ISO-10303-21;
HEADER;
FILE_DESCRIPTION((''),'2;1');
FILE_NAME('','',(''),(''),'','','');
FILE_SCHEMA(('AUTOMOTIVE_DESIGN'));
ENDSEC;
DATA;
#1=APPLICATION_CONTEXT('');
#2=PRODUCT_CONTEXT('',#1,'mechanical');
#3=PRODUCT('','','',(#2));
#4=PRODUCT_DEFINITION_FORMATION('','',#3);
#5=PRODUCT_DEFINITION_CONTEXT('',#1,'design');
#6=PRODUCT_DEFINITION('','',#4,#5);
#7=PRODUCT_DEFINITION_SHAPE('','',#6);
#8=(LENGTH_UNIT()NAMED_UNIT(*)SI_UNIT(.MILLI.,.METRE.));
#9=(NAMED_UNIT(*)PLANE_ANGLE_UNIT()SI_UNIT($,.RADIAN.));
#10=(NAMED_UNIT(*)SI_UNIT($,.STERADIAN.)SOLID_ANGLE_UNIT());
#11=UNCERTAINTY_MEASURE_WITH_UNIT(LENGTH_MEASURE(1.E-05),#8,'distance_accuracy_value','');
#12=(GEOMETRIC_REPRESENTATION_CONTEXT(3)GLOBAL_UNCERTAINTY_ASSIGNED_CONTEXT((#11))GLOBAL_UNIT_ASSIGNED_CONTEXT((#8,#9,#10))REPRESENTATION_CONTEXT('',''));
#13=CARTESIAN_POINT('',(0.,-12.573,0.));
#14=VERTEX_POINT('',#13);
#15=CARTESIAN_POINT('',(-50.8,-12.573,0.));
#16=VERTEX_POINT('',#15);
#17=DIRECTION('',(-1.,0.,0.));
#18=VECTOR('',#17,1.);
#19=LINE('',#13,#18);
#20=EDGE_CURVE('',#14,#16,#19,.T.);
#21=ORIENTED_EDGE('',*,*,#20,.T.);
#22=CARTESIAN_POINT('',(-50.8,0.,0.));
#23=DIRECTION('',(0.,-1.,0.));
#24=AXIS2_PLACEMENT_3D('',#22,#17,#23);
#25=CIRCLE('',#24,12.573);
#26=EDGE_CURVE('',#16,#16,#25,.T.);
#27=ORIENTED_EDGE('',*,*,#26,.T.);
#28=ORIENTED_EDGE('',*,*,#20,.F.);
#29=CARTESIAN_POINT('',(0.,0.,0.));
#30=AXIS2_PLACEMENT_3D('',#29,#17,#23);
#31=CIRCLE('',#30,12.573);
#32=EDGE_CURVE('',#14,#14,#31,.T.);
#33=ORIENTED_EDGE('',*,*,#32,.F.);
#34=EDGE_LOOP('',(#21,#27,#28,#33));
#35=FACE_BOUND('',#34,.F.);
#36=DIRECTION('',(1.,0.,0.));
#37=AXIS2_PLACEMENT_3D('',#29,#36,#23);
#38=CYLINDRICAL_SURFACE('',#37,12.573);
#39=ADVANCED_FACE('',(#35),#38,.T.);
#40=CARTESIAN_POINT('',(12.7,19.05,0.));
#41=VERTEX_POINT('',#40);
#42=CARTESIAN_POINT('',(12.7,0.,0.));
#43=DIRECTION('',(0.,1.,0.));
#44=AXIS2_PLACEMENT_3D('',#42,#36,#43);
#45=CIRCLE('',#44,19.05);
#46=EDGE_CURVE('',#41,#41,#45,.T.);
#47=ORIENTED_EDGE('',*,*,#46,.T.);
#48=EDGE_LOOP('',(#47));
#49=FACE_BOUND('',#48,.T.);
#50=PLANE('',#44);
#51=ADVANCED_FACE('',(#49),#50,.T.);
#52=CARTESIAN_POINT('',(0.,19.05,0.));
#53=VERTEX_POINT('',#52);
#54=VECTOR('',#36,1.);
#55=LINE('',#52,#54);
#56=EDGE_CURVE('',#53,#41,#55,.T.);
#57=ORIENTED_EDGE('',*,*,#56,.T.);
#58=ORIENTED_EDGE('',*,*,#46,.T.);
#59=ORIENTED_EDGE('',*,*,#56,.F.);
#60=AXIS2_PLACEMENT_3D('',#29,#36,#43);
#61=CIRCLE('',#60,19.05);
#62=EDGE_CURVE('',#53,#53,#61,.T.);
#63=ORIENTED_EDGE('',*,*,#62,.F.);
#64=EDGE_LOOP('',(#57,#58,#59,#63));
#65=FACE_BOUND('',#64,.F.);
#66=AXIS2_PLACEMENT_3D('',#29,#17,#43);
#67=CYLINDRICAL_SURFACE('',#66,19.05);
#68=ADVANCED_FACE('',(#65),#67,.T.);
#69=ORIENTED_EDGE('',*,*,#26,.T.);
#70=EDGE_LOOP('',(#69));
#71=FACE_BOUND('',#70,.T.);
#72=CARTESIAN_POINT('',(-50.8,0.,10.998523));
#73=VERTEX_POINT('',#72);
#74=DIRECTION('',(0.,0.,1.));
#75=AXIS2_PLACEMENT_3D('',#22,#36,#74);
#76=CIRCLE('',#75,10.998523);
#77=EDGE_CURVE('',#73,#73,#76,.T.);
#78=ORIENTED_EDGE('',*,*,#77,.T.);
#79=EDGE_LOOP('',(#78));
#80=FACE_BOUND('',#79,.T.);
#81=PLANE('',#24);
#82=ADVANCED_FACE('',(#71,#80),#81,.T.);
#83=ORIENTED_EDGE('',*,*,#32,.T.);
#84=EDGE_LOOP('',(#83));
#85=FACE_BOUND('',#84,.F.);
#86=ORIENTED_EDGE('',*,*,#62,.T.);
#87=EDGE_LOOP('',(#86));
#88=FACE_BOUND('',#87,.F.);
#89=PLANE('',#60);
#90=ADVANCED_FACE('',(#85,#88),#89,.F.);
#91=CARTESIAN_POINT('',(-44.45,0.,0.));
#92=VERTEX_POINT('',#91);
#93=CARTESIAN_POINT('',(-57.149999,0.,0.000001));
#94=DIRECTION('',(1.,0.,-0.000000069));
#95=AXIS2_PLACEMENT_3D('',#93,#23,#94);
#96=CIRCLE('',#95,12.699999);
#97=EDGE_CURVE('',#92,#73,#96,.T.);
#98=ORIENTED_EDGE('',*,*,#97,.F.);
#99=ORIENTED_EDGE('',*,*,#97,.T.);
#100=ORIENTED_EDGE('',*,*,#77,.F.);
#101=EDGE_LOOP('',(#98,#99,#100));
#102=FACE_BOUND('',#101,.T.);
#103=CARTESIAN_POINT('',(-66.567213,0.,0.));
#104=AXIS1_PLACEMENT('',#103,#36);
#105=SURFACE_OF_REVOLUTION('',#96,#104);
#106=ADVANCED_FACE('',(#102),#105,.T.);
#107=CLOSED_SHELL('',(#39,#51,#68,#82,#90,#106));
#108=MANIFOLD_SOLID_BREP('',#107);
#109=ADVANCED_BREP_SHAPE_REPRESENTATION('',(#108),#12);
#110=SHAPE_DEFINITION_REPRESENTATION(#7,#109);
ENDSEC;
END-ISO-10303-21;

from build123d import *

# Parameters (mm, degrees)
F0_R     = 19.05
F1_DEPTH = 12.7
F2_R     = 12.573
F3_DEPTH = 50.8


with BuildPart() as f1:
    # F0 (on Right) → F1 (new body)
    with BuildSketch(Plane.YZ):
        Circle(F0_R)
    extrude(amount=F1_DEPTH)

    # F2 (on face) → F3 (join)
    with BuildSketch(Plane(origin=(0, 0, 0), x_dir=(0, -1, 0), z_dir=(-1, 0, 0))):
        Circle(F2_R)
    extrude(amount=F3_DEPTH)

    # F4 (on Front) → F5 (revolve, cut)
    with BuildSketch(Plane.XZ):
        with BuildLine():
            Line((-50.8, 0), (-44.45, 0))
            ThreePointArc((-44.45, 0), (-46.151477, 6.35), (-50.8, 10.998523))
            Line((-50.8, 10.998523), (-50.8, 0))
        make_face()
    revolve(axis=Axis((-66.567213, 0, 0), (1, 0, 0)), mode=Mode.SUBTRACT)


solid = f1.part
